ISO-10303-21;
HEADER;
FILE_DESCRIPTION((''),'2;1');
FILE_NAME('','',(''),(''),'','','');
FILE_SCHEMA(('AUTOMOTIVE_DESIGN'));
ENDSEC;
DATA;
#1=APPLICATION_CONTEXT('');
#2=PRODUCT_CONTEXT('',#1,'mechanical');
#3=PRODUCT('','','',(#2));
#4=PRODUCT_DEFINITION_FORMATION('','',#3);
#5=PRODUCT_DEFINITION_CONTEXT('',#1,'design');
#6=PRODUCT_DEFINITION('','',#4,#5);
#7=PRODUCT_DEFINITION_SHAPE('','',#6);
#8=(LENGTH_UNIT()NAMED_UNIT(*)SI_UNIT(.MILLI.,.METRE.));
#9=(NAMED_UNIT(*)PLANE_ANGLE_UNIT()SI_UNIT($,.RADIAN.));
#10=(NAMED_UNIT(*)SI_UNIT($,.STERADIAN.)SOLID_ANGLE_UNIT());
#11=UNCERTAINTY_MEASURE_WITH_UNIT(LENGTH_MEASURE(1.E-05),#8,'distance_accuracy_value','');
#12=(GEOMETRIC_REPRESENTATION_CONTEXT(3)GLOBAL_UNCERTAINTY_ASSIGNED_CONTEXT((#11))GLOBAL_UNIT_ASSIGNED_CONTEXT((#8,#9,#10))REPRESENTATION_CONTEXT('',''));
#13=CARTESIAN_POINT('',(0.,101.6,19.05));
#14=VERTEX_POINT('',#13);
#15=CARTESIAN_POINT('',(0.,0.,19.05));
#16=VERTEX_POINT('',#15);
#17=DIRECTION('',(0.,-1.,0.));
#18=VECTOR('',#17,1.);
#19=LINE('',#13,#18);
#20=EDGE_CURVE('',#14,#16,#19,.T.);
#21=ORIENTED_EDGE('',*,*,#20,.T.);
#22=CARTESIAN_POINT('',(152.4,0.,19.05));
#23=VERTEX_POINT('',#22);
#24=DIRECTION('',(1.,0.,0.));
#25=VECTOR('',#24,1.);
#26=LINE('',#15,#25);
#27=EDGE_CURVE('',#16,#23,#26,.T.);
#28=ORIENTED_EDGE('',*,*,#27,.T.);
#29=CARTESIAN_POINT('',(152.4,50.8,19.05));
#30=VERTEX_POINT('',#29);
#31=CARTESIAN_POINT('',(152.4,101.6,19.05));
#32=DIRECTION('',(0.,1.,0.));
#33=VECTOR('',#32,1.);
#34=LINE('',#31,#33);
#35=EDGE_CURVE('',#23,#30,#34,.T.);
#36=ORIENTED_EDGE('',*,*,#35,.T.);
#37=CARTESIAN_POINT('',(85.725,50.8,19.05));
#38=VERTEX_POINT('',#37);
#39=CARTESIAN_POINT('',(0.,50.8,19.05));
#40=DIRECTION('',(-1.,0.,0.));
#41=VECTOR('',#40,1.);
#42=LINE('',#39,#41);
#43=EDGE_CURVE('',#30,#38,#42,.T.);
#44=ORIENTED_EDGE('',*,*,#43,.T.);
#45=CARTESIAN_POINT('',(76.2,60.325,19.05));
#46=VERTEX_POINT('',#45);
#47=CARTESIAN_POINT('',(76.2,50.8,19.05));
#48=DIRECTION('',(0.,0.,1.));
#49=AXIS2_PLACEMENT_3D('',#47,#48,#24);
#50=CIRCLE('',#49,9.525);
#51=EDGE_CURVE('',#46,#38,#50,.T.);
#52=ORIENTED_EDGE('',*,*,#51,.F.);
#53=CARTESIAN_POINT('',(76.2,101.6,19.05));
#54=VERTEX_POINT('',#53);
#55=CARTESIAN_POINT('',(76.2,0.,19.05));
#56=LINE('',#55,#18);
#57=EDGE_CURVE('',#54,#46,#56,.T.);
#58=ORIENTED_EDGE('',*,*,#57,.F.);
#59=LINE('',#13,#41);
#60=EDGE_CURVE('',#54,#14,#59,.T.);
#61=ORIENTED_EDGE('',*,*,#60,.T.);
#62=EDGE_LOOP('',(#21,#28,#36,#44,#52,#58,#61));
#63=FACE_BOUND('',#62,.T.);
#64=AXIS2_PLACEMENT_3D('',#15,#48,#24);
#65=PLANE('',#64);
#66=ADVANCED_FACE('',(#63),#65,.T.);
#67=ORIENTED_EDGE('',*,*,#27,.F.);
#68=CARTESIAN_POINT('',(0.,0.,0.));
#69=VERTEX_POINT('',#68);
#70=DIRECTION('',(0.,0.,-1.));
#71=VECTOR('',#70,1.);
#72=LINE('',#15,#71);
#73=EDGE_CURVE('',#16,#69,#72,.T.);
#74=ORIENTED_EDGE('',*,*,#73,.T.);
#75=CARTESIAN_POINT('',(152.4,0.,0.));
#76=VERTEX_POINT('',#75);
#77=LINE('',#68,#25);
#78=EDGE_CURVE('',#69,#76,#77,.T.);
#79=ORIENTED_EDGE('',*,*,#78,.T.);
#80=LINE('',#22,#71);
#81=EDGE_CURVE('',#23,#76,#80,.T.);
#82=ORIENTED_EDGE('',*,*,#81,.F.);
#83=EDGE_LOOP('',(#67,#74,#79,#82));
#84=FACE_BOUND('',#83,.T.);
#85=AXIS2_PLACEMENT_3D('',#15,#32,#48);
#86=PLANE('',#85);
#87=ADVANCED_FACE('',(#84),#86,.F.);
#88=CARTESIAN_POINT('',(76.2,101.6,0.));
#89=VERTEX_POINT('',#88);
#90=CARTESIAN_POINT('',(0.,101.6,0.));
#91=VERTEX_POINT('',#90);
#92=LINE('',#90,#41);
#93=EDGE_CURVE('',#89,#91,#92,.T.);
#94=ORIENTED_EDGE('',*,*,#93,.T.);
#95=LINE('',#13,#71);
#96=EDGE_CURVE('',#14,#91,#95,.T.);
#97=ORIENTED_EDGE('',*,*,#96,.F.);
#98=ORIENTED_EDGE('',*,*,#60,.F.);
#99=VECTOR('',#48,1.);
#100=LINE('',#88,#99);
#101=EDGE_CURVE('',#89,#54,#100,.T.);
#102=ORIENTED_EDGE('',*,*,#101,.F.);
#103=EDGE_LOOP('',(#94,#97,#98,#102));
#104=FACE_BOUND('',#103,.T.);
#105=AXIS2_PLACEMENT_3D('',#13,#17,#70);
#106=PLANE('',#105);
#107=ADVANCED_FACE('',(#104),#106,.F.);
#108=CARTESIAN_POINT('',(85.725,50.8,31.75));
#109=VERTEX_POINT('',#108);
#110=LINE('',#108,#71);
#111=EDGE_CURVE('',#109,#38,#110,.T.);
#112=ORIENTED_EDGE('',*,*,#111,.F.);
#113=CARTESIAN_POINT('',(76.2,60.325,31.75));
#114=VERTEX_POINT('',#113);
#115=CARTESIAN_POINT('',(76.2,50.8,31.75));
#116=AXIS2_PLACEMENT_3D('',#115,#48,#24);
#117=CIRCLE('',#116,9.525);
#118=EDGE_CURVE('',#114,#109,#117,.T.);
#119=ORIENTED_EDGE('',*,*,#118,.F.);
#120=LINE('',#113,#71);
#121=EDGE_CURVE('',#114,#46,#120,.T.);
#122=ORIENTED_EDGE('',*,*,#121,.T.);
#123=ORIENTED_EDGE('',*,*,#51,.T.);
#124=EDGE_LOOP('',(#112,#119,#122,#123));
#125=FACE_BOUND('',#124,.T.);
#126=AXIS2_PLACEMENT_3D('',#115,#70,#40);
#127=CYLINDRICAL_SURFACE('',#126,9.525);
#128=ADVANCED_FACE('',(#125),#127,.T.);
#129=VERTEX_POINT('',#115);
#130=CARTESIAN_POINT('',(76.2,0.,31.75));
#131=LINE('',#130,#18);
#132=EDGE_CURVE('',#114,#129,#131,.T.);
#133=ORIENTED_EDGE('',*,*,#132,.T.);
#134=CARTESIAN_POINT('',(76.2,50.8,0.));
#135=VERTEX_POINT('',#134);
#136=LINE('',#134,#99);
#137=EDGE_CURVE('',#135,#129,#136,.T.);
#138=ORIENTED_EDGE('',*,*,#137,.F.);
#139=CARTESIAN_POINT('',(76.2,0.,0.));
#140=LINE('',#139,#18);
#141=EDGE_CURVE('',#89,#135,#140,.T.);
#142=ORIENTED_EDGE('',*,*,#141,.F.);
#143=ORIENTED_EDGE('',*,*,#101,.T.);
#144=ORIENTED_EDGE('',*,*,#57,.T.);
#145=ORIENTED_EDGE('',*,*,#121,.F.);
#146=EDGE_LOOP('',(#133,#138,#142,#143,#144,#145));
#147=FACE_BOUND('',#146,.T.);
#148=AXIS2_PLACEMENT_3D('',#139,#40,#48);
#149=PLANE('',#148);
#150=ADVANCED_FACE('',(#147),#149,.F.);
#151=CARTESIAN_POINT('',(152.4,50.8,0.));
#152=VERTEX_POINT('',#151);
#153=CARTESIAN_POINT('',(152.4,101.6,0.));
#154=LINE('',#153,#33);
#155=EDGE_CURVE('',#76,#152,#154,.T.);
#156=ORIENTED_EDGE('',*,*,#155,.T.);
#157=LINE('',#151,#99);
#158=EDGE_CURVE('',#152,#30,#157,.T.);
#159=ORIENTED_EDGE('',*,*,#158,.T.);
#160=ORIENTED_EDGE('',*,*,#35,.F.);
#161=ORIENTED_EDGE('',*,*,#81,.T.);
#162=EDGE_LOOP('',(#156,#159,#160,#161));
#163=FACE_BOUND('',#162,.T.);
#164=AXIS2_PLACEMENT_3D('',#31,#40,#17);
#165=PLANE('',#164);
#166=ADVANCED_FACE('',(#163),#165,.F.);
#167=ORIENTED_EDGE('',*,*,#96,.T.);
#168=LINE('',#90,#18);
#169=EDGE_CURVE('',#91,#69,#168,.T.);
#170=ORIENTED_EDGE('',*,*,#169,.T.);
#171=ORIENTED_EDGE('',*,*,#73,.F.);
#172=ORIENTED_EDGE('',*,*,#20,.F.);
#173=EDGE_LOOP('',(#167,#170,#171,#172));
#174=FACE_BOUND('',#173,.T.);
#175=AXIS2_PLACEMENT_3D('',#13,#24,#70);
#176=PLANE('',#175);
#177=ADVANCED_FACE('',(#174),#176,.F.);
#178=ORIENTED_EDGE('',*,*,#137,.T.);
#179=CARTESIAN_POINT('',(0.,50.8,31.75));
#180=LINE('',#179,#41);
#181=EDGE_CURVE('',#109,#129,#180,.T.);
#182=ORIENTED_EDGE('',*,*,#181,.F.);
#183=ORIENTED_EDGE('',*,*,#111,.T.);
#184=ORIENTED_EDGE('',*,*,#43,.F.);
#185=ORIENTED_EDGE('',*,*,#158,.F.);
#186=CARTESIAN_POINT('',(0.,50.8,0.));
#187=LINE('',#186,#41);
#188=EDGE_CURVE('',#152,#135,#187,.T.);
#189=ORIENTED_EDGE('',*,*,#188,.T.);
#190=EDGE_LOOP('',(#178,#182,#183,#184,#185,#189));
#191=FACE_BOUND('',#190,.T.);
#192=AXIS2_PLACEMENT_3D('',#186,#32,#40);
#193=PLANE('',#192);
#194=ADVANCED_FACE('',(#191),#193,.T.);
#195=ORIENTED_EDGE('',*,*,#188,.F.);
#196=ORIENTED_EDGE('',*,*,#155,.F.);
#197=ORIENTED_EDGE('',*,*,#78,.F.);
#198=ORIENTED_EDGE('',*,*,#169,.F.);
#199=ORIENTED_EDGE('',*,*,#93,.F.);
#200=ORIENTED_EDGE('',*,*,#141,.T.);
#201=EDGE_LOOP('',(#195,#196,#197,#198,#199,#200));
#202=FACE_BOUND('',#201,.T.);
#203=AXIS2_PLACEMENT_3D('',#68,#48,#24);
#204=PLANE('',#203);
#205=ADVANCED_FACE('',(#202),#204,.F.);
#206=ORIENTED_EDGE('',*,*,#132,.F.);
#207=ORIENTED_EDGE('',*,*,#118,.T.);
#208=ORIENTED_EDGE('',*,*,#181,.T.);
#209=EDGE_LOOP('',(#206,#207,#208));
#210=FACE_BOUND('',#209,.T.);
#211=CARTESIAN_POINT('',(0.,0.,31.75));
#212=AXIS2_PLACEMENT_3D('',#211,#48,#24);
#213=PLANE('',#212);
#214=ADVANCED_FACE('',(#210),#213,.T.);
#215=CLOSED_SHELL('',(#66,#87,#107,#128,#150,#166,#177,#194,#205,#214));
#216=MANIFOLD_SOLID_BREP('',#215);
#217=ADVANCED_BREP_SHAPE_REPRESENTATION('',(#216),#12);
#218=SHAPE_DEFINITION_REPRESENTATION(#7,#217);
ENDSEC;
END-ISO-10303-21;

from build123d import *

# Parameters (mm, degrees)
SKETCH1_W               = 152.4
SKETCH1_H               = 101.6
BOSS_EXTRUDE1_DEPTH     = 19.05
CUT_EXTRUDE1_DEPTH      = 185.15
CUT_EXTRUDE1_DEPTH_BACK = 185.15
SKETCH4_W               = 76.2
SKETCH4_H               = 50.8
BOSS_EXTRUDE2_DEPTH     = 12.7


with BuildPart() as part:
    # Sketch1 → Boss-Extrude1 (new body)
    with BuildSketch(Plane.XY):
        with Locations((76.2, 50.8)):
            Rectangle(SKETCH1_W, SKETCH1_H)
    extrude(amount=BOSS_EXTRUDE1_DEPTH)

    # Sketch4 → Cut-Extrude1 (cut, two sides: drawn at the far end of the back side and taken through both)
    with BuildSketch(Plane.XY.offset(19.05).offset(-CUT_EXTRUDE1_DEPTH_BACK)):
        with Locations((114.3, 76.2)):
            Rectangle(SKETCH4_W, SKETCH4_H)
    extrude(amount=CUT_EXTRUDE1_DEPTH + CUT_EXTRUDE1_DEPTH_BACK, mode=Mode.SUBTRACT)

    # Sketch4<4> → Boss-Extrude2 (add)
    with BuildSketch(Plane.XY.offset(19.05)):
        with BuildLine():
            Line((76.2, 50.8), (76.2, 60.325))
            ThreePointArc((76.2, 60.325), (69.464807909, 44.064807909), (85.725, 50.8))
            Line((85.725, 50.8), (76.2, 50.8))
        make_face()
    extrude(amount=BOSS_EXTRUDE2_DEPTH)


solid = part.part
